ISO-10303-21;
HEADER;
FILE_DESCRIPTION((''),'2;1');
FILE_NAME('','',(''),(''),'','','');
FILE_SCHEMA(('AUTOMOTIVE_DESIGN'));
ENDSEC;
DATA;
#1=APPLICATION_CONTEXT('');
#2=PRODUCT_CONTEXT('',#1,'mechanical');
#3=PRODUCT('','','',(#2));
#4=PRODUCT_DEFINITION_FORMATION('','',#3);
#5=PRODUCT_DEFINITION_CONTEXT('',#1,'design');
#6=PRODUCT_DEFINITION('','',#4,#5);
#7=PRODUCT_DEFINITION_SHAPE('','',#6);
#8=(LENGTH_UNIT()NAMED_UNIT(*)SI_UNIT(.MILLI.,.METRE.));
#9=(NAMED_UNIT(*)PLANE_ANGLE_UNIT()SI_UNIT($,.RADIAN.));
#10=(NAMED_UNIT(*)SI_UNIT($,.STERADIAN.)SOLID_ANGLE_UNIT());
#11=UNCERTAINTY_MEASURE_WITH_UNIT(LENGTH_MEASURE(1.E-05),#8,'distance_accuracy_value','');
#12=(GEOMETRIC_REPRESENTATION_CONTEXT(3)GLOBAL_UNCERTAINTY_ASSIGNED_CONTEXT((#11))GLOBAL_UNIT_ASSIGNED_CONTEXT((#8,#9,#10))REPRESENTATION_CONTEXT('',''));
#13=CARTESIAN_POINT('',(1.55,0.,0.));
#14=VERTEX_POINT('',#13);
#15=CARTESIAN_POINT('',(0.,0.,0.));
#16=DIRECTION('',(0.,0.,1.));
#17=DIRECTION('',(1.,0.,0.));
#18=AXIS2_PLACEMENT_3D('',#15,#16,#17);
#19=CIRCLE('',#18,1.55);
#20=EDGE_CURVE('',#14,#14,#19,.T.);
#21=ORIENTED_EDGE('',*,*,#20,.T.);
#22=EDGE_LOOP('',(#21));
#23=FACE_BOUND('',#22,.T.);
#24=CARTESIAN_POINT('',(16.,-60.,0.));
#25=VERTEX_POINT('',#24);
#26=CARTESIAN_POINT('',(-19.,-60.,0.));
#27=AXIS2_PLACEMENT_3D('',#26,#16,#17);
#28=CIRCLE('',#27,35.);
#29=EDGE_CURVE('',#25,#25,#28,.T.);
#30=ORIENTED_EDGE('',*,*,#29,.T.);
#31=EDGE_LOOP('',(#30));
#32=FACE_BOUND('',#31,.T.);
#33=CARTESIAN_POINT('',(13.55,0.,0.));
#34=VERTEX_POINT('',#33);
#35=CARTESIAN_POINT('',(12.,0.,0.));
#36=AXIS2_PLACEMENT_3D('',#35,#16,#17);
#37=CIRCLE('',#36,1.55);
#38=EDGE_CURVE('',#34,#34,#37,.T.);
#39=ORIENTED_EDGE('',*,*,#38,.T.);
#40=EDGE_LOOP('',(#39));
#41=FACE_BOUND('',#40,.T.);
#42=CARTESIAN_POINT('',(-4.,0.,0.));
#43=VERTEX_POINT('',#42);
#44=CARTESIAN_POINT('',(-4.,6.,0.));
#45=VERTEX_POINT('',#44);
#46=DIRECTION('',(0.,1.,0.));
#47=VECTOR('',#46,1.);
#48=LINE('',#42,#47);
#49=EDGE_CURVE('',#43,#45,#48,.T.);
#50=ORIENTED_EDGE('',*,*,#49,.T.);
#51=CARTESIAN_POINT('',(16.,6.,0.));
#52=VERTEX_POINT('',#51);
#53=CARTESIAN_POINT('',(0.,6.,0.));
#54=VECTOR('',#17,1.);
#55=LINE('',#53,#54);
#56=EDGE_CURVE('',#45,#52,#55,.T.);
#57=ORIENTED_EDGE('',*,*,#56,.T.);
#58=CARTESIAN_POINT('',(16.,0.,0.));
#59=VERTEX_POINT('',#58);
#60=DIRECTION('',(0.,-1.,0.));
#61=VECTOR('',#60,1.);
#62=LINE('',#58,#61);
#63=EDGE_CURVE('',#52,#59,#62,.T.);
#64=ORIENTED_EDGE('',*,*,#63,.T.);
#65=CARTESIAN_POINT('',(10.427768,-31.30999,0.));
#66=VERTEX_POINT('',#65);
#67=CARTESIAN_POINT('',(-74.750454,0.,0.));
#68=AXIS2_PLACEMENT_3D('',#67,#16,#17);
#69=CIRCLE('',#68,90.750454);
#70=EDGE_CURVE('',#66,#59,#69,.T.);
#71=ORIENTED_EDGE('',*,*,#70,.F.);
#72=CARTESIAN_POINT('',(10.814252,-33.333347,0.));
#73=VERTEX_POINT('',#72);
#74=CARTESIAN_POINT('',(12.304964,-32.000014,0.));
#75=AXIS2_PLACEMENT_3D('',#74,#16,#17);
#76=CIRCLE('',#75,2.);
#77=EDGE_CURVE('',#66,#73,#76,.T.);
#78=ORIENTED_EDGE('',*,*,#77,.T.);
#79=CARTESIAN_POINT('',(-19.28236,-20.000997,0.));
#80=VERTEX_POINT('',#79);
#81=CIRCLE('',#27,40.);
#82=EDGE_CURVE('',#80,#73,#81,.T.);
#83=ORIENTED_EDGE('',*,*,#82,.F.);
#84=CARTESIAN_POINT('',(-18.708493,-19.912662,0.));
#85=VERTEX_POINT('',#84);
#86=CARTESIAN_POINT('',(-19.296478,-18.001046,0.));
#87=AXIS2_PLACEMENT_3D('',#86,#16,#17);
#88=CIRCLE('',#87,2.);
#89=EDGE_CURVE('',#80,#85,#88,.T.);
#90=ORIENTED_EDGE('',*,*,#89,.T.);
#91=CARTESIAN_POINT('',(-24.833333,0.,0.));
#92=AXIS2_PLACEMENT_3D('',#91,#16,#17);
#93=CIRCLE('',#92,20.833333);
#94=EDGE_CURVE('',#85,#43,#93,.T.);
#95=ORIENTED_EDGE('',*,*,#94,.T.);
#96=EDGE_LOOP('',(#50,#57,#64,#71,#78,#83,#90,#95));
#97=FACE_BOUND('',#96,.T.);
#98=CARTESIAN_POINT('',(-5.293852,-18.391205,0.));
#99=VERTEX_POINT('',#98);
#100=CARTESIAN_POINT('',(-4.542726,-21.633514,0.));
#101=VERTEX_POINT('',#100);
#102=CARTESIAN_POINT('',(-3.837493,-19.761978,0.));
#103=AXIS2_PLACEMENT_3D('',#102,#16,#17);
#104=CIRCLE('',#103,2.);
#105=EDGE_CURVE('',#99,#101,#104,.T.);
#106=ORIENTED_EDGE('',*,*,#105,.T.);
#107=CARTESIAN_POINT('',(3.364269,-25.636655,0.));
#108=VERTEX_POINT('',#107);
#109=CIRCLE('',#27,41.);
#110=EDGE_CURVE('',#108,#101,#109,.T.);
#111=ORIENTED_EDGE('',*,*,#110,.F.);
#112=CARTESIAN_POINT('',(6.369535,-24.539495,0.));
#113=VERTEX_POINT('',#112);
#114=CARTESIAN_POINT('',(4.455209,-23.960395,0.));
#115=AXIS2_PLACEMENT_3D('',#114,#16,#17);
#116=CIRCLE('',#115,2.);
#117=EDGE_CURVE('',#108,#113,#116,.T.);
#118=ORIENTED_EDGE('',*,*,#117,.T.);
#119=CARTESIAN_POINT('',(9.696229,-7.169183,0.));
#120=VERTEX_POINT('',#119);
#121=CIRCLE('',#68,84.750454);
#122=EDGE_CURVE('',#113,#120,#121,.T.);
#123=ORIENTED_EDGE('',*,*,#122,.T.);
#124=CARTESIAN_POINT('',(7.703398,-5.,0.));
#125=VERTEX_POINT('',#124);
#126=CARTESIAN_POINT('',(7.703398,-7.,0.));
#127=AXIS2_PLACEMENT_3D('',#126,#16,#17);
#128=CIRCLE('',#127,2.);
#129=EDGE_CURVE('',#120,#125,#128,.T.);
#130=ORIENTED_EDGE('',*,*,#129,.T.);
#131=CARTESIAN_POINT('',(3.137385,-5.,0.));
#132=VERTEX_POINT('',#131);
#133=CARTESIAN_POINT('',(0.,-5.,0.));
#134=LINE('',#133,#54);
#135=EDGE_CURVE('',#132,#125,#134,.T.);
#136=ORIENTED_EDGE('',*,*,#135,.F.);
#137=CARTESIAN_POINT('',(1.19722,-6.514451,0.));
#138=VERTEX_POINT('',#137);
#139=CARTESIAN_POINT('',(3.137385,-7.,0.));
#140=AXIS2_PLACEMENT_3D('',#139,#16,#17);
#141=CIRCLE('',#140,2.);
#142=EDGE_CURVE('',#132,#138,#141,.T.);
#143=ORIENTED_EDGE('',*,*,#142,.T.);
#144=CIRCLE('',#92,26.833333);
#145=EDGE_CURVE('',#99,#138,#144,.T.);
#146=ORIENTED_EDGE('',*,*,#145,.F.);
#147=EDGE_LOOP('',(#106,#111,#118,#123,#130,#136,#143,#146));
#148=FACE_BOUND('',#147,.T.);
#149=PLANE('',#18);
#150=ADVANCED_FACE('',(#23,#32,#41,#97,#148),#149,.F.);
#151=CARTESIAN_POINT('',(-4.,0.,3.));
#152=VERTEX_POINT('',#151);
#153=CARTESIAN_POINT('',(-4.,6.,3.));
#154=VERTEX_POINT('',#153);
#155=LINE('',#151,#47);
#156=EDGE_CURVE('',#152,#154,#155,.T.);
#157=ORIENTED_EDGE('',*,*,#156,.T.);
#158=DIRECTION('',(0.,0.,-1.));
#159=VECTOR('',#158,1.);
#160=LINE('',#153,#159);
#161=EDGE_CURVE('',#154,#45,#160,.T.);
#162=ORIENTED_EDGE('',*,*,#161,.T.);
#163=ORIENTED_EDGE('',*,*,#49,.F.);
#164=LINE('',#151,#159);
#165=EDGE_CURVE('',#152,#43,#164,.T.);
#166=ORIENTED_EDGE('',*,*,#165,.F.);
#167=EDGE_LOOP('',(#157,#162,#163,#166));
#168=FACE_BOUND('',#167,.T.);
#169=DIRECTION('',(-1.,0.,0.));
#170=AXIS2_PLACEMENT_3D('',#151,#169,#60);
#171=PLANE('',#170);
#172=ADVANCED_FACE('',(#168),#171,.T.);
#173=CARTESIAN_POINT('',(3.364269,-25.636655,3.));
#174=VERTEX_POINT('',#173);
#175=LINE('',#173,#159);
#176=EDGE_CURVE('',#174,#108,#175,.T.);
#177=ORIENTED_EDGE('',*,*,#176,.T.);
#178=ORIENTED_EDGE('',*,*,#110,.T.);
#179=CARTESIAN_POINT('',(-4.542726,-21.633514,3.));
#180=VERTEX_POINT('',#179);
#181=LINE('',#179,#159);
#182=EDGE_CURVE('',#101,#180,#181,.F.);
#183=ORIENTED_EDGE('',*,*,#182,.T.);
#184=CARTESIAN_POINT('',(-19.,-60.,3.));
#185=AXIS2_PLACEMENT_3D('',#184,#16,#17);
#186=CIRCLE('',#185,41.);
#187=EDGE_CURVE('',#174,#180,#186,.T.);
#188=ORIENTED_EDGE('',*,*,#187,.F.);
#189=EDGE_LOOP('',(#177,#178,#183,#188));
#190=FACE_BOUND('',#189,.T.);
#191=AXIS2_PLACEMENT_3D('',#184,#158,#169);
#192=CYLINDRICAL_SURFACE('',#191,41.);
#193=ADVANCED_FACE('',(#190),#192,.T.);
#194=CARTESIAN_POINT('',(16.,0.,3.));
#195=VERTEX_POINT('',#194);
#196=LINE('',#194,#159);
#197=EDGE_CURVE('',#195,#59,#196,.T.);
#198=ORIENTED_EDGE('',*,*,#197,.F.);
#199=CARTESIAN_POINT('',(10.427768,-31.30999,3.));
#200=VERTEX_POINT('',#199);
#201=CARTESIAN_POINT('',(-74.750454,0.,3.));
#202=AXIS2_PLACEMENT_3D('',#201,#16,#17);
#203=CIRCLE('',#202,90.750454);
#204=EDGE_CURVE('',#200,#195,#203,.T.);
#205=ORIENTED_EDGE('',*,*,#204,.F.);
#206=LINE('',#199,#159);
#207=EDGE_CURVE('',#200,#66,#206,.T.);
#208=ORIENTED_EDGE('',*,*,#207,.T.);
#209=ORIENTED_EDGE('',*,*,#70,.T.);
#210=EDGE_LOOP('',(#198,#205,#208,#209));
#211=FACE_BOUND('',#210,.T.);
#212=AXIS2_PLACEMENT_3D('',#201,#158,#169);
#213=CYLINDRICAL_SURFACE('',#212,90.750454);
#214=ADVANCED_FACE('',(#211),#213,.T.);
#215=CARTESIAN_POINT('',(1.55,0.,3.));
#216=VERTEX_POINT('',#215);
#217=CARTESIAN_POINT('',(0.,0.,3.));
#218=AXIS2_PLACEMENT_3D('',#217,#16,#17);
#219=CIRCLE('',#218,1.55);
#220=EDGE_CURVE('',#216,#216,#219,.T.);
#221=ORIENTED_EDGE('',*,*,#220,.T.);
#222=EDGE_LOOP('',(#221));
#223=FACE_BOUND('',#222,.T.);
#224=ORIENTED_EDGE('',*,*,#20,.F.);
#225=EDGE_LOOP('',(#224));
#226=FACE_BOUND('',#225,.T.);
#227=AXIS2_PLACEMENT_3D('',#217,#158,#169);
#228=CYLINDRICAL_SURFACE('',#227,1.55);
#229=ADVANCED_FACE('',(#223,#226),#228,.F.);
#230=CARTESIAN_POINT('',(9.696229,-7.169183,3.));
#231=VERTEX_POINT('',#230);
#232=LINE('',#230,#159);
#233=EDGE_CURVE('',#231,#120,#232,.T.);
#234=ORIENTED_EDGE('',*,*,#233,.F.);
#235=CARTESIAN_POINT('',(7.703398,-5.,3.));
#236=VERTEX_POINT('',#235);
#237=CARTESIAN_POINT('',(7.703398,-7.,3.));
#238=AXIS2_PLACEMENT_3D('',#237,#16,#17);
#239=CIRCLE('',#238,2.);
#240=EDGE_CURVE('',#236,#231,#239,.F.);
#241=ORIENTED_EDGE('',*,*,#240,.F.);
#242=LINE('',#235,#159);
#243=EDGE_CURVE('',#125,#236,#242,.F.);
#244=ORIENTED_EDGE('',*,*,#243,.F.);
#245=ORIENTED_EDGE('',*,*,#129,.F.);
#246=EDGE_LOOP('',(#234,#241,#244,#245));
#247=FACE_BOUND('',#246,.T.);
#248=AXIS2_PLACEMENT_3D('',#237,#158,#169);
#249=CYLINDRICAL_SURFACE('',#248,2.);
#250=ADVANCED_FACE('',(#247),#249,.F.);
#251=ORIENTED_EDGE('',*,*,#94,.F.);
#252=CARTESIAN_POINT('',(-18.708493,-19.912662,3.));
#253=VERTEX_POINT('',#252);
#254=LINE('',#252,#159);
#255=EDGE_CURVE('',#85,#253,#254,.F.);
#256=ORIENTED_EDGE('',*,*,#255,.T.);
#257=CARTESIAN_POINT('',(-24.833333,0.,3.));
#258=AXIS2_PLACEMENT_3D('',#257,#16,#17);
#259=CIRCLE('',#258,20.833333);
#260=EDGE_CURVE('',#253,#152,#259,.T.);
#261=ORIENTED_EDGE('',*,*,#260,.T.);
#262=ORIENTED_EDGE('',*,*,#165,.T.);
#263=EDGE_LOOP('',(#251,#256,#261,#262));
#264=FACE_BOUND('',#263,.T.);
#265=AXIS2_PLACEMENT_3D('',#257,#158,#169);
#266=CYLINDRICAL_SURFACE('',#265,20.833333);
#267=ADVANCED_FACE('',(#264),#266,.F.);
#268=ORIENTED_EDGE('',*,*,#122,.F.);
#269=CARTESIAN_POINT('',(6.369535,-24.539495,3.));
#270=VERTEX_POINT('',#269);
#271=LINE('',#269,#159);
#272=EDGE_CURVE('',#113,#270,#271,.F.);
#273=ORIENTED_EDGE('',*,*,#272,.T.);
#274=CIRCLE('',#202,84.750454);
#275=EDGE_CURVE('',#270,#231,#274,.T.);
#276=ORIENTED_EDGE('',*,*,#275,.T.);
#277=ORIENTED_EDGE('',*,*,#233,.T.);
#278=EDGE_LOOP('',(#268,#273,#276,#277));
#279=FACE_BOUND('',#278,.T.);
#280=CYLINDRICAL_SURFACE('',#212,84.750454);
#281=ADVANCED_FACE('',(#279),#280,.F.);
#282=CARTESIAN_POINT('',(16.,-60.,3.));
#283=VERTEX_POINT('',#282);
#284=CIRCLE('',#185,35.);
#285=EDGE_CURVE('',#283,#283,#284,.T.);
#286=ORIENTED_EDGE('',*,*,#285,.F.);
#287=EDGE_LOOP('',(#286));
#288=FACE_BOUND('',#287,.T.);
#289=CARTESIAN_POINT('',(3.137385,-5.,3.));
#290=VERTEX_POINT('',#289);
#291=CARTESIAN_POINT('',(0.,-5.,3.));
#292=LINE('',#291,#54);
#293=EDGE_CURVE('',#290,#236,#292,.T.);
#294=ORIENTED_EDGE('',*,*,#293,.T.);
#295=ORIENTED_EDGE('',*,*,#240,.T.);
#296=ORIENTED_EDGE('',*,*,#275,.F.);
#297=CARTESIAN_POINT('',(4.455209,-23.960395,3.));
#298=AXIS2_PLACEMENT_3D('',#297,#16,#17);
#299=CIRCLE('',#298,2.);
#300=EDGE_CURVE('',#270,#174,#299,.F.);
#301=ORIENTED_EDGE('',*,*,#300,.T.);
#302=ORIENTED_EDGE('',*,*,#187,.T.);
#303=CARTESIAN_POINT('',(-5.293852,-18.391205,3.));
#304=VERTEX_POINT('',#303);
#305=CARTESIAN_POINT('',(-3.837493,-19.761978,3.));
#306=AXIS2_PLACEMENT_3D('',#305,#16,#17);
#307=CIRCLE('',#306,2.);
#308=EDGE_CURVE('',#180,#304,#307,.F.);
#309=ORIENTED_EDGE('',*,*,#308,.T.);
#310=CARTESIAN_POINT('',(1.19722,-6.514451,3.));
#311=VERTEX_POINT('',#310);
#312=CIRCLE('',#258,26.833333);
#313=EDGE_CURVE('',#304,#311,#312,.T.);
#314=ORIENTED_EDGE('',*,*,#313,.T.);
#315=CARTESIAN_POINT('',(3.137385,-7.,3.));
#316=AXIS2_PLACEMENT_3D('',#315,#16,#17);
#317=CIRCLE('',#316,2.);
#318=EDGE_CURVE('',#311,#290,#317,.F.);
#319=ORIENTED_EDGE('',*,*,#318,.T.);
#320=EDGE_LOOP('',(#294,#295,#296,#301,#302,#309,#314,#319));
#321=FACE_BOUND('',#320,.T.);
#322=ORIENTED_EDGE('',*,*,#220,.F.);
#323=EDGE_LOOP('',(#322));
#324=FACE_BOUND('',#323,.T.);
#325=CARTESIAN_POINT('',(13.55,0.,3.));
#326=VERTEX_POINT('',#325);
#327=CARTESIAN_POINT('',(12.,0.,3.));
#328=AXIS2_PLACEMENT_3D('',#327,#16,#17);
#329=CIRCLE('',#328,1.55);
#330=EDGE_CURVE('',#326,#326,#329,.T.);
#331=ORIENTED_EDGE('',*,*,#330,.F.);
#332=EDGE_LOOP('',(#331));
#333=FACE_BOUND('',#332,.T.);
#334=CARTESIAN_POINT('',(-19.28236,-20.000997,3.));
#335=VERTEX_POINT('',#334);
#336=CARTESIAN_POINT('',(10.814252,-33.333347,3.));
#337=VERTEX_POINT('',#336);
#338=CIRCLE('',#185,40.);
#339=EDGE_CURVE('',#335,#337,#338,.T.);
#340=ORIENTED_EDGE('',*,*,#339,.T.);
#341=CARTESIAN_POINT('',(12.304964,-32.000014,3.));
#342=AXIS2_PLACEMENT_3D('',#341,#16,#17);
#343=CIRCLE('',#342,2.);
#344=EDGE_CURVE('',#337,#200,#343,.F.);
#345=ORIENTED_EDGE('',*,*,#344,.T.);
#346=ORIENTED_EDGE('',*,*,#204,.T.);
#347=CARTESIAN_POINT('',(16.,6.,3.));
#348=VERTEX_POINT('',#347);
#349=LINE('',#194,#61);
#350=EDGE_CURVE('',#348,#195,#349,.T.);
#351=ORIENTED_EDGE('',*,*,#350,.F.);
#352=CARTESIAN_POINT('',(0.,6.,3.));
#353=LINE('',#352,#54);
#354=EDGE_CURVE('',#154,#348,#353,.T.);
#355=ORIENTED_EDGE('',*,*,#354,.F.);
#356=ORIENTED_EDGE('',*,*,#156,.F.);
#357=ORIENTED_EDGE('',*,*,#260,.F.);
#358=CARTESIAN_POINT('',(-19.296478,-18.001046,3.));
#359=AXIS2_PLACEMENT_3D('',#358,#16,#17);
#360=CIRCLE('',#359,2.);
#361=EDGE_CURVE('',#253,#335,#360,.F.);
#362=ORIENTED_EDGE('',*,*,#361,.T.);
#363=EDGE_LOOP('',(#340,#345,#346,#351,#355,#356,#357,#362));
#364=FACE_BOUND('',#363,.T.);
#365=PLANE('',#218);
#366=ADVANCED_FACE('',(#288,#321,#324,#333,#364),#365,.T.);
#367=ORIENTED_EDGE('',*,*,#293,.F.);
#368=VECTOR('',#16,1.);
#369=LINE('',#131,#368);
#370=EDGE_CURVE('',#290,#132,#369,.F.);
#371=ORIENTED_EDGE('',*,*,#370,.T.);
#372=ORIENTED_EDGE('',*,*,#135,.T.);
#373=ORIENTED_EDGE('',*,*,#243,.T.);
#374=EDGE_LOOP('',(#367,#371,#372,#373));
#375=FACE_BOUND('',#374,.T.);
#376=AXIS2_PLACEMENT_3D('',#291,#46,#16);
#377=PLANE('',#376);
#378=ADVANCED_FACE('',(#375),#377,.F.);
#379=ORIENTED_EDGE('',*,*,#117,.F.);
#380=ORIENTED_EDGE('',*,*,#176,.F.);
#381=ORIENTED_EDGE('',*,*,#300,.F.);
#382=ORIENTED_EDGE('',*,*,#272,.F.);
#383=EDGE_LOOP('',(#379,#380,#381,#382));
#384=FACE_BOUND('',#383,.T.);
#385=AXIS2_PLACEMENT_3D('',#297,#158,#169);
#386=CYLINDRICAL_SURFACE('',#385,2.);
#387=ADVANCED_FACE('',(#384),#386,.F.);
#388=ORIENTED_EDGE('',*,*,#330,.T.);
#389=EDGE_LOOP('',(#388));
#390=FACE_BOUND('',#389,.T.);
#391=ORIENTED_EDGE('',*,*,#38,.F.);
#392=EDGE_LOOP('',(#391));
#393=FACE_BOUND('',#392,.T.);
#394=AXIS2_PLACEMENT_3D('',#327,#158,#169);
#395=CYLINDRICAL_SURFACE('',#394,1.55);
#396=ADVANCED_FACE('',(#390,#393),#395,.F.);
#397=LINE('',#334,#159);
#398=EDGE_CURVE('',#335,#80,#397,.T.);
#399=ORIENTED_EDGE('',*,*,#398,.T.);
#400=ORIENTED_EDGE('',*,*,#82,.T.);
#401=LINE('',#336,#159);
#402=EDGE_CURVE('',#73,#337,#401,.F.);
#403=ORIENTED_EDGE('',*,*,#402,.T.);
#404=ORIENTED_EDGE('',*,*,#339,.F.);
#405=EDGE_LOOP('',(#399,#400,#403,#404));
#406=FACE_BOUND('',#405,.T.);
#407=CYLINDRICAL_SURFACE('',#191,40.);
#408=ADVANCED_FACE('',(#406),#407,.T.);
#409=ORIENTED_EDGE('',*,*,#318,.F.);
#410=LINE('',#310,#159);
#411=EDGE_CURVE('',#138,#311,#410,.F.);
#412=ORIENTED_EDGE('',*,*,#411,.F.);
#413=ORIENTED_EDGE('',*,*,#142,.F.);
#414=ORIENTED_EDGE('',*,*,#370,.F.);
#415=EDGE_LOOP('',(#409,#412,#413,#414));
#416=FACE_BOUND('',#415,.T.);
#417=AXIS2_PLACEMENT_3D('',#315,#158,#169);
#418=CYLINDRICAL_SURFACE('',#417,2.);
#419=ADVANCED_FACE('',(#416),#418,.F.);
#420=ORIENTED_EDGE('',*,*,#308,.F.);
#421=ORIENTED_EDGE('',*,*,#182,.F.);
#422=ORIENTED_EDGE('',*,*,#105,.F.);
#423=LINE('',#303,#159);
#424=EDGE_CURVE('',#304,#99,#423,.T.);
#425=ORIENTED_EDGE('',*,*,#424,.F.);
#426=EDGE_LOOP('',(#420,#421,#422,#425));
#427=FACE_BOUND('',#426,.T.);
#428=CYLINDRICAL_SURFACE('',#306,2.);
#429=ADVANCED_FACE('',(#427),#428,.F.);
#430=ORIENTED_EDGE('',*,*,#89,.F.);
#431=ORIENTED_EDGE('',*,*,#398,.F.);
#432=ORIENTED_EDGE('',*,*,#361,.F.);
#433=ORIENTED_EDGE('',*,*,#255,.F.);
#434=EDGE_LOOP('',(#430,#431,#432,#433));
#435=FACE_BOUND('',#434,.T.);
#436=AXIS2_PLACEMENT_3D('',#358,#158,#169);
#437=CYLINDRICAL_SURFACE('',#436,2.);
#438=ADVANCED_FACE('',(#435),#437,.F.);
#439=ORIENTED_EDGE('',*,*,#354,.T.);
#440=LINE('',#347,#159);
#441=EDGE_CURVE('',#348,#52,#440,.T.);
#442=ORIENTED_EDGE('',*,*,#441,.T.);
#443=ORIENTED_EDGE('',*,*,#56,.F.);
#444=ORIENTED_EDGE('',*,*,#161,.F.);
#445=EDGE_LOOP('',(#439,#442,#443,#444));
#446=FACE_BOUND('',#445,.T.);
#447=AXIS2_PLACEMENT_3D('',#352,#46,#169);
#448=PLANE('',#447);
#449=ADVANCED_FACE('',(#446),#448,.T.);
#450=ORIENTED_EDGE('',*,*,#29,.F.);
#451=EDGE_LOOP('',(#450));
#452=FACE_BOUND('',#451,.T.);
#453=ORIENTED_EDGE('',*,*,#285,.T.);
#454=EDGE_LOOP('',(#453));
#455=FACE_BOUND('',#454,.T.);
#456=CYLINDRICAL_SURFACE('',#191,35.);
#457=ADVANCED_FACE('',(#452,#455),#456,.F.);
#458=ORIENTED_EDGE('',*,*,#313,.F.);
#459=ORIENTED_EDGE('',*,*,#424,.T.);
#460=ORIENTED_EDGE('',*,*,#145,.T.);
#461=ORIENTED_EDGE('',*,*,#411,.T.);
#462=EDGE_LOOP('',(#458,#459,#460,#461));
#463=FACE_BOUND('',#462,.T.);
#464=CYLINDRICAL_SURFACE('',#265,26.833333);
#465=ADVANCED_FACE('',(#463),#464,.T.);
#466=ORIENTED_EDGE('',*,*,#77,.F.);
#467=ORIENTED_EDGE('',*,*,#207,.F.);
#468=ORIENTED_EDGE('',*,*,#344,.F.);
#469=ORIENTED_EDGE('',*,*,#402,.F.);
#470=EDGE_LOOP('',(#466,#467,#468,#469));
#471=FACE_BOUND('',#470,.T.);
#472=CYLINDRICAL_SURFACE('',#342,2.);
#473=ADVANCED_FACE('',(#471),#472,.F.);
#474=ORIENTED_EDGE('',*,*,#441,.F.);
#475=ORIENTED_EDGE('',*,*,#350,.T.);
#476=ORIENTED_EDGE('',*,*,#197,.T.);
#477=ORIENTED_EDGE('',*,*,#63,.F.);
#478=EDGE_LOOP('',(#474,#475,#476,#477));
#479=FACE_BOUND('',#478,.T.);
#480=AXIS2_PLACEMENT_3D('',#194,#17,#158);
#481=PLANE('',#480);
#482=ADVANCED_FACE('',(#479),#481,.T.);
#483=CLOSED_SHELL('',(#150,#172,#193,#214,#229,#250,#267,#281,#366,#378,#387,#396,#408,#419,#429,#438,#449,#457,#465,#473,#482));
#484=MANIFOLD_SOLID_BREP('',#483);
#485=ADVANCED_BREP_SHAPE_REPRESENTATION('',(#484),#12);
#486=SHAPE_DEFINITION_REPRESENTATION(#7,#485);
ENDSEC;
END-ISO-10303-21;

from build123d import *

# Parameters (mm, degrees)
SKETCH_1_R      = 1.55
SKETCH_1_R_2    = 35
EXTRUDE_1_DEPTH = 3
FILLET_1_R      = 2


with BuildPart() as part:
    # 草图1 → 凸台-拉伸1 (new body)
    with BuildSketch(Plane.XY):
        with BuildLine():
            Line((-4, 0), (-4, 6))
            Line((-4, 6), (16, 6))
            Line((16, 6), (16, 0))
            ThreePointArc((16, 0), (14.487394132, -16.500041247), (10, -32.450045372))
            ThreePointArc((10, -32.450045372), (-34.779762591, -96.755939555), (-19, -20))
            ThreePointArc((-19, -20), (-8.166666667, -12.5), (-4, 0))
        make_face()
        Circle(SKETCH_1_R, mode=Mode.SUBTRACT)
        with Locations((12, 0)):
            Circle(SKETCH_1_R, mode=Mode.SUBTRACT)
        with Locations((-19, -60)):
            Circle(SKETCH_1_R_2, mode=Mode.SUBTRACT)
        with BuildLine():
            Line((1.53004615, -5), (9.8523796, -5))
            ThreePointArc((9.8523796, -5), (8.433483023, -16.219496713), (5.533456158, -27.150197429))
            ThreePointArc((5.533456158, -27.150197429), (-0.758932149, -23.281293002), (-7.64339635, -20.60421909))
            ThreePointArc((-7.64339635, -20.60421909), (-1.701196442, -13.598971308), (1.53004615, -5))
        make_face(mode=Mode.SUBTRACT)
    extrude(amount=EXTRUDE_1_DEPTH)

    # 圆角1
    fillet_1_edges = [part.edges().sort_by_distance(p)[0] for p in [
        (-19, -20, 1.5),
        (10, -32.450045372, 1.5),
        (-7.64339635, -20.60421909, 1.5),
        (5.533456158, -27.150197429, 1.5),
        (9.8523796, -5, 1.5),
        (1.53004615, -5, 1.5),
    ]]
    fillet(fillet_1_edges, radius=FILLET_1_R)


solid = part.part
